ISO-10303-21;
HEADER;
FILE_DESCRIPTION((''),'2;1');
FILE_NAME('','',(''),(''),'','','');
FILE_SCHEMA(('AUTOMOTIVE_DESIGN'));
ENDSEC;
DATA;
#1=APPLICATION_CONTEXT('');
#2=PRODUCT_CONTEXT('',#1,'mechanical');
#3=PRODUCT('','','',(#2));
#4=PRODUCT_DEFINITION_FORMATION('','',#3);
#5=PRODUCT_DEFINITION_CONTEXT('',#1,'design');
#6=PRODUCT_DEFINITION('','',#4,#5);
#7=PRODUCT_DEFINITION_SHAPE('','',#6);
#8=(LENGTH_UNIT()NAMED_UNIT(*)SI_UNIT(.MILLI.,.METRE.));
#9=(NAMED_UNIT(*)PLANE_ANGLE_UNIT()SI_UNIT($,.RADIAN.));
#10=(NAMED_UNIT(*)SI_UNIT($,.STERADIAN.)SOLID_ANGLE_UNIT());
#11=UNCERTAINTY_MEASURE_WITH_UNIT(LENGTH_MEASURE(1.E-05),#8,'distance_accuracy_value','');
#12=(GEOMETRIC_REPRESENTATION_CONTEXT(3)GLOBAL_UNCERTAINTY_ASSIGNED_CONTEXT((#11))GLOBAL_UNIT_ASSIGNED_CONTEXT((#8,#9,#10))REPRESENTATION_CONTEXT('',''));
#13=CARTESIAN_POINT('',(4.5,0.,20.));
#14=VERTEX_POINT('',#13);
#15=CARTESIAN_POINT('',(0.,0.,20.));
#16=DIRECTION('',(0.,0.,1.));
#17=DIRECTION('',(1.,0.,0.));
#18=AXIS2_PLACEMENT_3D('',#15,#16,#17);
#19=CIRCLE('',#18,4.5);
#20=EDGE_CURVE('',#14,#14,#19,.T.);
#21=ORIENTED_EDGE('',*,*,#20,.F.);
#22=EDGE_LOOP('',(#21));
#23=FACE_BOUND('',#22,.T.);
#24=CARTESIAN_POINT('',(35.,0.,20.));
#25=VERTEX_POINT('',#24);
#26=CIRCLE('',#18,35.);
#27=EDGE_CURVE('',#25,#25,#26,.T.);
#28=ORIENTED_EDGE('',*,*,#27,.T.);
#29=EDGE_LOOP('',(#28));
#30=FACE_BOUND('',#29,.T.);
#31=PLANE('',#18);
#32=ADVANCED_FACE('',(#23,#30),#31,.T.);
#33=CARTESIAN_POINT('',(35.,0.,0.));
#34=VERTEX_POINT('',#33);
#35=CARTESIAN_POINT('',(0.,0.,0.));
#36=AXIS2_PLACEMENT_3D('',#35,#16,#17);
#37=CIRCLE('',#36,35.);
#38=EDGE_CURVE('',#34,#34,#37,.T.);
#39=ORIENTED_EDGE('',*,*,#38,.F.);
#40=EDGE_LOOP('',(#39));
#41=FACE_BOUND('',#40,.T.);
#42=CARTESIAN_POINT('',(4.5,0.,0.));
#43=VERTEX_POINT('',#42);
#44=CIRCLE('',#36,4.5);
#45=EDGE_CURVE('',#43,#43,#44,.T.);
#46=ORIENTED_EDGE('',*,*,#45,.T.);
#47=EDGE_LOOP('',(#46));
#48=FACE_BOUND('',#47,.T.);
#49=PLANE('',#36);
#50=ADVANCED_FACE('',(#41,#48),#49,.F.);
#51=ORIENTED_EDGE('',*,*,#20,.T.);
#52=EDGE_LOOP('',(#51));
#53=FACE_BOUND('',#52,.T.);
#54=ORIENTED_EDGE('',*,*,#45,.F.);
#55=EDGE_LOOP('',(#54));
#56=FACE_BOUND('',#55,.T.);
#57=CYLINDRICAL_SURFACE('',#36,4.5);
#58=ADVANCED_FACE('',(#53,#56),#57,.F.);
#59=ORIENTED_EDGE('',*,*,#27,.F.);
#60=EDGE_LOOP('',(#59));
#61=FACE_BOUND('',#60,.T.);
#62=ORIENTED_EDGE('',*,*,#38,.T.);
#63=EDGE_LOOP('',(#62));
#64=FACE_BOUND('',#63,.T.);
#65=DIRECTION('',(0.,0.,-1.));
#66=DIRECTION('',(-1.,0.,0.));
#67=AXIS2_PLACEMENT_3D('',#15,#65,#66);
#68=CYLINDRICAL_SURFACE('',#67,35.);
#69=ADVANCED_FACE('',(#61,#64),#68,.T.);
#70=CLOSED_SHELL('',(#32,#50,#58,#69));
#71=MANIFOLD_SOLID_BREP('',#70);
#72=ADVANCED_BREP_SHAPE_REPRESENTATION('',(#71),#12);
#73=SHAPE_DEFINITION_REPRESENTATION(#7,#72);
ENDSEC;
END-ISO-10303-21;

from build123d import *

# Parameters (mm, degrees)
SKETCH1_R           = 35
BOSS_EXTRUDE1_DEPTH = 20
SKETCH2_R           = 4.5
CUT_EXTRUDE1_DEPTH  = 20


with BuildPart() as part:
    # Sketch1 → Boss-Extrude1 (new body)
    with BuildSketch(Plane.XY):
        Circle(SKETCH1_R)
    extrude(amount=BOSS_EXTRUDE1_DEPTH)

    # Sketch2 → Cut-Extrude1 (cut)
    with BuildSketch(Plane.XY.offset(20)):
        Circle(SKETCH2_R)
    extrude(amount=-CUT_EXTRUDE1_DEPTH, mode=Mode.SUBTRACT)


solid = part.part
